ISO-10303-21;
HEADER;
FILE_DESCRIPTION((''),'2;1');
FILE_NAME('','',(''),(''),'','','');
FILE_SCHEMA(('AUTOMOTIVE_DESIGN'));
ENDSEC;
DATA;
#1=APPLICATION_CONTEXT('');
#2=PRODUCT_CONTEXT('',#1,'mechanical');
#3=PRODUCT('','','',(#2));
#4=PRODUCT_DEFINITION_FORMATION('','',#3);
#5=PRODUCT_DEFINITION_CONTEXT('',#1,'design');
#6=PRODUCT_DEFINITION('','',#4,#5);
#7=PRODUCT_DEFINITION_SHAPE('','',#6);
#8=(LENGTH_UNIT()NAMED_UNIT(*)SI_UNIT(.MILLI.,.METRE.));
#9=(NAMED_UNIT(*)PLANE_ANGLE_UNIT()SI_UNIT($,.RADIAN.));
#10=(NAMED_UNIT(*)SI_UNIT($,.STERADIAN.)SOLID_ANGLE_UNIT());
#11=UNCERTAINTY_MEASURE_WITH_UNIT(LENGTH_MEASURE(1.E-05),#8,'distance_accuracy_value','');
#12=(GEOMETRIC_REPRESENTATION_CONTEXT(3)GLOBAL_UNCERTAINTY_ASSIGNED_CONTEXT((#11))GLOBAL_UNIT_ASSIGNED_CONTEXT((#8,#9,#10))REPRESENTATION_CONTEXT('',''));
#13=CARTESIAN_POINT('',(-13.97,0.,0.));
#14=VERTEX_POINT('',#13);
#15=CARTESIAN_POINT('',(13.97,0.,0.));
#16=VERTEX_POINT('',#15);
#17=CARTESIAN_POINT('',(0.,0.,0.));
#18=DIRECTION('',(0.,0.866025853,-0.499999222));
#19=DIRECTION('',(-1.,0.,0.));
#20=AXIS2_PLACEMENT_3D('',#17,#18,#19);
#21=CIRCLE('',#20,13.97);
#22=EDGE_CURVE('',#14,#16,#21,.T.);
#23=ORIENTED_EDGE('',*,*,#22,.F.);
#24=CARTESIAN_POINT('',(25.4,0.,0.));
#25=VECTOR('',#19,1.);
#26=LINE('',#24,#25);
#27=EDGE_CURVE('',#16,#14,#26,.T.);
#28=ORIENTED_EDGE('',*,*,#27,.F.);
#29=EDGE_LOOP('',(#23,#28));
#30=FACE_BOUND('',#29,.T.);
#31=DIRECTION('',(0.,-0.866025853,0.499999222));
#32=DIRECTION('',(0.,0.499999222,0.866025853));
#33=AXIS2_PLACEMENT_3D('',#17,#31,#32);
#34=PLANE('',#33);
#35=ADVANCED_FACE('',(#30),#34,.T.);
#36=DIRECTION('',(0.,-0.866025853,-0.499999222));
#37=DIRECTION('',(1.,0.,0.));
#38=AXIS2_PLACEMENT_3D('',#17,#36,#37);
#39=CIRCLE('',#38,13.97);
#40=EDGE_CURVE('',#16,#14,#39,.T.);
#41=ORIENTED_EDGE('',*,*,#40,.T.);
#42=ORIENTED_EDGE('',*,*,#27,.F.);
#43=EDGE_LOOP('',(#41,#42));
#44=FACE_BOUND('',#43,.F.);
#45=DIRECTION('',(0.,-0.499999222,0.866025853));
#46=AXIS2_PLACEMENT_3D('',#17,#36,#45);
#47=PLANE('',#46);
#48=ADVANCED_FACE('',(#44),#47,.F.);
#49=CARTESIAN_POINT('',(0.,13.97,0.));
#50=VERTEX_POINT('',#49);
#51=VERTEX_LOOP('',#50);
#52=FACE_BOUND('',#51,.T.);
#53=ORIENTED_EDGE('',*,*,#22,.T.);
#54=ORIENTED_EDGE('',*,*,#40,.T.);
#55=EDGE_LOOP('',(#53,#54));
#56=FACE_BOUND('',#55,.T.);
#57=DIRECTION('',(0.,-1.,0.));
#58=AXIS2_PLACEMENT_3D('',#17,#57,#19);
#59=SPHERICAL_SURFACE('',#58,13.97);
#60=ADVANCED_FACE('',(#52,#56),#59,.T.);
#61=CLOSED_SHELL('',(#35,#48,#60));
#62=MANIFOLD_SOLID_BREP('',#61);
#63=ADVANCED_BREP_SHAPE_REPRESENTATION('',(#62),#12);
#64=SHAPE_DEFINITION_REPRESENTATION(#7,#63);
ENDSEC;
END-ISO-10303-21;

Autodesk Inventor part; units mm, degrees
ref_plane "YZ Plane" through (0, 0, 0) normal (1, 0, 0) x (0, 1, 0)
ref_plane "XZ Plane" through (0, 0, 0) normal (0, 1, 0) x (-1, 0, 0)
ref_plane "XY Plane" through (0, 0, 0) normal (0, 0, 1) x (1, 0, 0)
sketch "Sketch1" plane through (0, 0, 0) normal (0, 0, 1) x (1, 0, 0)
  circle A0 centre (0, 0) radius 13.97
  line L0 (0, 13.97) -> (0, -13.97)
  dimension "d0" = 27.94
revolve "Revolution1" add sketch "Sketch1" angle 360 about axis through (0, 13.97, 0) along (0, -1, 0) picked at (-7.7107, -1.7324) contours L0 A0
sketch "Sketch3" plane through (0, 0, 0) normal (1, 0, 0) x (0, 1, 0)
  circle A0 centre (0, 0) radius 13.97 projected
  line L0 (0, 0) -> (0, 13.97)
  line L1 (0, 0) -> (6.985, 12.0984)
  line L2 (0, 0) -> (-6.985, 12.0984)
  dimension "d2" = 30
  dimension "d3" = 30
extrude "Extrusion1" cut sketch "Sketch3" along normal mid plane 50.8 contours L1 L0 A0 | A0 L0 L2
equation "\"d3\" = d2"
properties part number "Pacman2"
